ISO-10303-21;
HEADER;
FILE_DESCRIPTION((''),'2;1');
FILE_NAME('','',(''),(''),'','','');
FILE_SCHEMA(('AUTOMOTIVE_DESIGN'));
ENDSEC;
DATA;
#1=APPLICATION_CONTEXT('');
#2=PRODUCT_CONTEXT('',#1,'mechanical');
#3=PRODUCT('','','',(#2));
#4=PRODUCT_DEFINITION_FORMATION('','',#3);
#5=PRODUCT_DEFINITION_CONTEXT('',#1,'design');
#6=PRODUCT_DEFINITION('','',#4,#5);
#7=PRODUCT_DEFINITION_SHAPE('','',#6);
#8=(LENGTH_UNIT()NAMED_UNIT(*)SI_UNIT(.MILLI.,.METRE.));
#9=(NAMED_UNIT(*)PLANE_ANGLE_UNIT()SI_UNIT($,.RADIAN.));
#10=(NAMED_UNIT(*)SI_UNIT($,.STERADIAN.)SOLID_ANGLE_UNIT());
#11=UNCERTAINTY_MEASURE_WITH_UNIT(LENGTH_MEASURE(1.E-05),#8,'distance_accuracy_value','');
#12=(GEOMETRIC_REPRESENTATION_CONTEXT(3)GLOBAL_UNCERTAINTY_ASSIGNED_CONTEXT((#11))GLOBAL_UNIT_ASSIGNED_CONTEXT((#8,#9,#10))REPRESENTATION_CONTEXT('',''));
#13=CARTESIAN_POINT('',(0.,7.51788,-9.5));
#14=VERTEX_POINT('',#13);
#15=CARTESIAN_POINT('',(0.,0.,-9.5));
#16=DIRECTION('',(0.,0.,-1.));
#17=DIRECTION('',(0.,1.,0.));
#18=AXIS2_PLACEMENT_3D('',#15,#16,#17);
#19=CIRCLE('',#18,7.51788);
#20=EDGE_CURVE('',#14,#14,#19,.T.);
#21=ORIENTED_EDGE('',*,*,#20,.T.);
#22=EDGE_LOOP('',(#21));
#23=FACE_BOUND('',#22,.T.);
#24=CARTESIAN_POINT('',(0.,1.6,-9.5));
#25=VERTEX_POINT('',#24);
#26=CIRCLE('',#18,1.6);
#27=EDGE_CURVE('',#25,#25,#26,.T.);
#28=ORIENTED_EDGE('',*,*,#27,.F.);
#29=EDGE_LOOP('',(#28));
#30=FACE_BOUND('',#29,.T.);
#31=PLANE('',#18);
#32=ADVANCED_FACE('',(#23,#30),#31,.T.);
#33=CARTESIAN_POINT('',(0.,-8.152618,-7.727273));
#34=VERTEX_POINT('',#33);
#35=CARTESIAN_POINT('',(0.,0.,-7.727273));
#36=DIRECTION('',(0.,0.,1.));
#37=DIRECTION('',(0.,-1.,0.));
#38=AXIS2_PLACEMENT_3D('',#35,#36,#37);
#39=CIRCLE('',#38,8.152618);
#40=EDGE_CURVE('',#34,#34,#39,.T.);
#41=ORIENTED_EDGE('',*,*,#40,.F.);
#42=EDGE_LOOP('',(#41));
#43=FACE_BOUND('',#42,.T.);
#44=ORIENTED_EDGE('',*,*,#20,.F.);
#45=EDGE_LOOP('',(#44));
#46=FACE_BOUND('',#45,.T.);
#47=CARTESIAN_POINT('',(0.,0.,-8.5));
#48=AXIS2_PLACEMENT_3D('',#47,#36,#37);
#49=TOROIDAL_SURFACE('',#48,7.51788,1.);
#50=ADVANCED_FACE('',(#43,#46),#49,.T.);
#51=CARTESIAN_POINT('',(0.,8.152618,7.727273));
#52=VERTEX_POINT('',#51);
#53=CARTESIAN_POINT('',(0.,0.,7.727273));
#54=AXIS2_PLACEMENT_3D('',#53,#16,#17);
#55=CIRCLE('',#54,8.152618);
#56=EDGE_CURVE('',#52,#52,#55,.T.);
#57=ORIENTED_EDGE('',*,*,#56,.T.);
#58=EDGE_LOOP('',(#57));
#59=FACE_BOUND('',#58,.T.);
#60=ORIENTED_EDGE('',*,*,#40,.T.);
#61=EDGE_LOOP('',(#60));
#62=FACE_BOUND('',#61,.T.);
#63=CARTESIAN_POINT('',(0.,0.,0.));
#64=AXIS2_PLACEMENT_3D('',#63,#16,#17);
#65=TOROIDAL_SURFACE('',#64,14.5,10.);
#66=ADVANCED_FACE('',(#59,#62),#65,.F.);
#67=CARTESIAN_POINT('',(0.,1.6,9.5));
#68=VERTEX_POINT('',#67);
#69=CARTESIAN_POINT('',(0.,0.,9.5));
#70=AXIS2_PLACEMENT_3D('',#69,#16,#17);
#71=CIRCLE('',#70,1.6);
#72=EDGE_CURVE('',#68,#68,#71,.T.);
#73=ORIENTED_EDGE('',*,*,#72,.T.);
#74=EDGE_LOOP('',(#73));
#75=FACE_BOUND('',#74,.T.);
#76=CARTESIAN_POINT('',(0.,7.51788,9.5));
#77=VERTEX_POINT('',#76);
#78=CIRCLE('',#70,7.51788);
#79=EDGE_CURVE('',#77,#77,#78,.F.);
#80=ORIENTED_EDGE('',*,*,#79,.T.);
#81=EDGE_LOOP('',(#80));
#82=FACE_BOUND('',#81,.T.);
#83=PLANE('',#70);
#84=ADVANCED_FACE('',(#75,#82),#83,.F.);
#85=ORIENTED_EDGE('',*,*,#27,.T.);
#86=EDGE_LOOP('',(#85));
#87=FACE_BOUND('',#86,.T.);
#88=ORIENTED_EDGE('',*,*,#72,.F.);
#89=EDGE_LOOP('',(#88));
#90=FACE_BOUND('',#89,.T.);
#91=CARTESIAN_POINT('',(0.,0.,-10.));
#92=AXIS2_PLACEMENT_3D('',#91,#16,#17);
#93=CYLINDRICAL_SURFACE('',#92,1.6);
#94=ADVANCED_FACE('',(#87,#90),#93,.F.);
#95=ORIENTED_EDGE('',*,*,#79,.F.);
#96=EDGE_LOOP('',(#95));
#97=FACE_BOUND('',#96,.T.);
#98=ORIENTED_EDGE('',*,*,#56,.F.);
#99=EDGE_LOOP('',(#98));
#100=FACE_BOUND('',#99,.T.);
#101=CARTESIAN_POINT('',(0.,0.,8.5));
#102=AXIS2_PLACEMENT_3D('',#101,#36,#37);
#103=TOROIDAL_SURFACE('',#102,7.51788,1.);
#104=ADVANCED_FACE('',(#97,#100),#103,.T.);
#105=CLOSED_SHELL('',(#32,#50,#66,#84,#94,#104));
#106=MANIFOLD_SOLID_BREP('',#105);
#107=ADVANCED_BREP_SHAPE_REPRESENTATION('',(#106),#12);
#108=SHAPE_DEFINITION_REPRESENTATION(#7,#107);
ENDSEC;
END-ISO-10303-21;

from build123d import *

# Parameters (mm, degrees)
FILLET1_R = 1


with BuildPart() as part:
    # Sketch1 → Revolve1 (revolve)
    with BuildSketch(Plane(origin=(0, 0, 0), x_dir=(0, 0, -1), z_dir=(1, 0, 0))):
        with BuildLine():
            Line((9.5, 1.6), (9.5, 11.377501001))
            ThreePointArc((9.5, 11.377501001), (0, 4.5), (-9.5, 11.377501001))
            Line((-9.5, 11.377501001), (-9.5, 1.6))
            Line((-9.5, 1.6), (9.5, 1.6))
        make_face()
    revolve(axis=Axis((0, 0, -10), (0, 0, 1)))

    # Fillet1
    fillet1_edges = [part.edges().sort_by_distance(p)[0] for p in [
        (0, -11.377501001, 9.5),
        (0, -11.377501001, -9.5),
    ]]
    fillet(fillet1_edges, radius=FILLET1_R)


solid = part.part
